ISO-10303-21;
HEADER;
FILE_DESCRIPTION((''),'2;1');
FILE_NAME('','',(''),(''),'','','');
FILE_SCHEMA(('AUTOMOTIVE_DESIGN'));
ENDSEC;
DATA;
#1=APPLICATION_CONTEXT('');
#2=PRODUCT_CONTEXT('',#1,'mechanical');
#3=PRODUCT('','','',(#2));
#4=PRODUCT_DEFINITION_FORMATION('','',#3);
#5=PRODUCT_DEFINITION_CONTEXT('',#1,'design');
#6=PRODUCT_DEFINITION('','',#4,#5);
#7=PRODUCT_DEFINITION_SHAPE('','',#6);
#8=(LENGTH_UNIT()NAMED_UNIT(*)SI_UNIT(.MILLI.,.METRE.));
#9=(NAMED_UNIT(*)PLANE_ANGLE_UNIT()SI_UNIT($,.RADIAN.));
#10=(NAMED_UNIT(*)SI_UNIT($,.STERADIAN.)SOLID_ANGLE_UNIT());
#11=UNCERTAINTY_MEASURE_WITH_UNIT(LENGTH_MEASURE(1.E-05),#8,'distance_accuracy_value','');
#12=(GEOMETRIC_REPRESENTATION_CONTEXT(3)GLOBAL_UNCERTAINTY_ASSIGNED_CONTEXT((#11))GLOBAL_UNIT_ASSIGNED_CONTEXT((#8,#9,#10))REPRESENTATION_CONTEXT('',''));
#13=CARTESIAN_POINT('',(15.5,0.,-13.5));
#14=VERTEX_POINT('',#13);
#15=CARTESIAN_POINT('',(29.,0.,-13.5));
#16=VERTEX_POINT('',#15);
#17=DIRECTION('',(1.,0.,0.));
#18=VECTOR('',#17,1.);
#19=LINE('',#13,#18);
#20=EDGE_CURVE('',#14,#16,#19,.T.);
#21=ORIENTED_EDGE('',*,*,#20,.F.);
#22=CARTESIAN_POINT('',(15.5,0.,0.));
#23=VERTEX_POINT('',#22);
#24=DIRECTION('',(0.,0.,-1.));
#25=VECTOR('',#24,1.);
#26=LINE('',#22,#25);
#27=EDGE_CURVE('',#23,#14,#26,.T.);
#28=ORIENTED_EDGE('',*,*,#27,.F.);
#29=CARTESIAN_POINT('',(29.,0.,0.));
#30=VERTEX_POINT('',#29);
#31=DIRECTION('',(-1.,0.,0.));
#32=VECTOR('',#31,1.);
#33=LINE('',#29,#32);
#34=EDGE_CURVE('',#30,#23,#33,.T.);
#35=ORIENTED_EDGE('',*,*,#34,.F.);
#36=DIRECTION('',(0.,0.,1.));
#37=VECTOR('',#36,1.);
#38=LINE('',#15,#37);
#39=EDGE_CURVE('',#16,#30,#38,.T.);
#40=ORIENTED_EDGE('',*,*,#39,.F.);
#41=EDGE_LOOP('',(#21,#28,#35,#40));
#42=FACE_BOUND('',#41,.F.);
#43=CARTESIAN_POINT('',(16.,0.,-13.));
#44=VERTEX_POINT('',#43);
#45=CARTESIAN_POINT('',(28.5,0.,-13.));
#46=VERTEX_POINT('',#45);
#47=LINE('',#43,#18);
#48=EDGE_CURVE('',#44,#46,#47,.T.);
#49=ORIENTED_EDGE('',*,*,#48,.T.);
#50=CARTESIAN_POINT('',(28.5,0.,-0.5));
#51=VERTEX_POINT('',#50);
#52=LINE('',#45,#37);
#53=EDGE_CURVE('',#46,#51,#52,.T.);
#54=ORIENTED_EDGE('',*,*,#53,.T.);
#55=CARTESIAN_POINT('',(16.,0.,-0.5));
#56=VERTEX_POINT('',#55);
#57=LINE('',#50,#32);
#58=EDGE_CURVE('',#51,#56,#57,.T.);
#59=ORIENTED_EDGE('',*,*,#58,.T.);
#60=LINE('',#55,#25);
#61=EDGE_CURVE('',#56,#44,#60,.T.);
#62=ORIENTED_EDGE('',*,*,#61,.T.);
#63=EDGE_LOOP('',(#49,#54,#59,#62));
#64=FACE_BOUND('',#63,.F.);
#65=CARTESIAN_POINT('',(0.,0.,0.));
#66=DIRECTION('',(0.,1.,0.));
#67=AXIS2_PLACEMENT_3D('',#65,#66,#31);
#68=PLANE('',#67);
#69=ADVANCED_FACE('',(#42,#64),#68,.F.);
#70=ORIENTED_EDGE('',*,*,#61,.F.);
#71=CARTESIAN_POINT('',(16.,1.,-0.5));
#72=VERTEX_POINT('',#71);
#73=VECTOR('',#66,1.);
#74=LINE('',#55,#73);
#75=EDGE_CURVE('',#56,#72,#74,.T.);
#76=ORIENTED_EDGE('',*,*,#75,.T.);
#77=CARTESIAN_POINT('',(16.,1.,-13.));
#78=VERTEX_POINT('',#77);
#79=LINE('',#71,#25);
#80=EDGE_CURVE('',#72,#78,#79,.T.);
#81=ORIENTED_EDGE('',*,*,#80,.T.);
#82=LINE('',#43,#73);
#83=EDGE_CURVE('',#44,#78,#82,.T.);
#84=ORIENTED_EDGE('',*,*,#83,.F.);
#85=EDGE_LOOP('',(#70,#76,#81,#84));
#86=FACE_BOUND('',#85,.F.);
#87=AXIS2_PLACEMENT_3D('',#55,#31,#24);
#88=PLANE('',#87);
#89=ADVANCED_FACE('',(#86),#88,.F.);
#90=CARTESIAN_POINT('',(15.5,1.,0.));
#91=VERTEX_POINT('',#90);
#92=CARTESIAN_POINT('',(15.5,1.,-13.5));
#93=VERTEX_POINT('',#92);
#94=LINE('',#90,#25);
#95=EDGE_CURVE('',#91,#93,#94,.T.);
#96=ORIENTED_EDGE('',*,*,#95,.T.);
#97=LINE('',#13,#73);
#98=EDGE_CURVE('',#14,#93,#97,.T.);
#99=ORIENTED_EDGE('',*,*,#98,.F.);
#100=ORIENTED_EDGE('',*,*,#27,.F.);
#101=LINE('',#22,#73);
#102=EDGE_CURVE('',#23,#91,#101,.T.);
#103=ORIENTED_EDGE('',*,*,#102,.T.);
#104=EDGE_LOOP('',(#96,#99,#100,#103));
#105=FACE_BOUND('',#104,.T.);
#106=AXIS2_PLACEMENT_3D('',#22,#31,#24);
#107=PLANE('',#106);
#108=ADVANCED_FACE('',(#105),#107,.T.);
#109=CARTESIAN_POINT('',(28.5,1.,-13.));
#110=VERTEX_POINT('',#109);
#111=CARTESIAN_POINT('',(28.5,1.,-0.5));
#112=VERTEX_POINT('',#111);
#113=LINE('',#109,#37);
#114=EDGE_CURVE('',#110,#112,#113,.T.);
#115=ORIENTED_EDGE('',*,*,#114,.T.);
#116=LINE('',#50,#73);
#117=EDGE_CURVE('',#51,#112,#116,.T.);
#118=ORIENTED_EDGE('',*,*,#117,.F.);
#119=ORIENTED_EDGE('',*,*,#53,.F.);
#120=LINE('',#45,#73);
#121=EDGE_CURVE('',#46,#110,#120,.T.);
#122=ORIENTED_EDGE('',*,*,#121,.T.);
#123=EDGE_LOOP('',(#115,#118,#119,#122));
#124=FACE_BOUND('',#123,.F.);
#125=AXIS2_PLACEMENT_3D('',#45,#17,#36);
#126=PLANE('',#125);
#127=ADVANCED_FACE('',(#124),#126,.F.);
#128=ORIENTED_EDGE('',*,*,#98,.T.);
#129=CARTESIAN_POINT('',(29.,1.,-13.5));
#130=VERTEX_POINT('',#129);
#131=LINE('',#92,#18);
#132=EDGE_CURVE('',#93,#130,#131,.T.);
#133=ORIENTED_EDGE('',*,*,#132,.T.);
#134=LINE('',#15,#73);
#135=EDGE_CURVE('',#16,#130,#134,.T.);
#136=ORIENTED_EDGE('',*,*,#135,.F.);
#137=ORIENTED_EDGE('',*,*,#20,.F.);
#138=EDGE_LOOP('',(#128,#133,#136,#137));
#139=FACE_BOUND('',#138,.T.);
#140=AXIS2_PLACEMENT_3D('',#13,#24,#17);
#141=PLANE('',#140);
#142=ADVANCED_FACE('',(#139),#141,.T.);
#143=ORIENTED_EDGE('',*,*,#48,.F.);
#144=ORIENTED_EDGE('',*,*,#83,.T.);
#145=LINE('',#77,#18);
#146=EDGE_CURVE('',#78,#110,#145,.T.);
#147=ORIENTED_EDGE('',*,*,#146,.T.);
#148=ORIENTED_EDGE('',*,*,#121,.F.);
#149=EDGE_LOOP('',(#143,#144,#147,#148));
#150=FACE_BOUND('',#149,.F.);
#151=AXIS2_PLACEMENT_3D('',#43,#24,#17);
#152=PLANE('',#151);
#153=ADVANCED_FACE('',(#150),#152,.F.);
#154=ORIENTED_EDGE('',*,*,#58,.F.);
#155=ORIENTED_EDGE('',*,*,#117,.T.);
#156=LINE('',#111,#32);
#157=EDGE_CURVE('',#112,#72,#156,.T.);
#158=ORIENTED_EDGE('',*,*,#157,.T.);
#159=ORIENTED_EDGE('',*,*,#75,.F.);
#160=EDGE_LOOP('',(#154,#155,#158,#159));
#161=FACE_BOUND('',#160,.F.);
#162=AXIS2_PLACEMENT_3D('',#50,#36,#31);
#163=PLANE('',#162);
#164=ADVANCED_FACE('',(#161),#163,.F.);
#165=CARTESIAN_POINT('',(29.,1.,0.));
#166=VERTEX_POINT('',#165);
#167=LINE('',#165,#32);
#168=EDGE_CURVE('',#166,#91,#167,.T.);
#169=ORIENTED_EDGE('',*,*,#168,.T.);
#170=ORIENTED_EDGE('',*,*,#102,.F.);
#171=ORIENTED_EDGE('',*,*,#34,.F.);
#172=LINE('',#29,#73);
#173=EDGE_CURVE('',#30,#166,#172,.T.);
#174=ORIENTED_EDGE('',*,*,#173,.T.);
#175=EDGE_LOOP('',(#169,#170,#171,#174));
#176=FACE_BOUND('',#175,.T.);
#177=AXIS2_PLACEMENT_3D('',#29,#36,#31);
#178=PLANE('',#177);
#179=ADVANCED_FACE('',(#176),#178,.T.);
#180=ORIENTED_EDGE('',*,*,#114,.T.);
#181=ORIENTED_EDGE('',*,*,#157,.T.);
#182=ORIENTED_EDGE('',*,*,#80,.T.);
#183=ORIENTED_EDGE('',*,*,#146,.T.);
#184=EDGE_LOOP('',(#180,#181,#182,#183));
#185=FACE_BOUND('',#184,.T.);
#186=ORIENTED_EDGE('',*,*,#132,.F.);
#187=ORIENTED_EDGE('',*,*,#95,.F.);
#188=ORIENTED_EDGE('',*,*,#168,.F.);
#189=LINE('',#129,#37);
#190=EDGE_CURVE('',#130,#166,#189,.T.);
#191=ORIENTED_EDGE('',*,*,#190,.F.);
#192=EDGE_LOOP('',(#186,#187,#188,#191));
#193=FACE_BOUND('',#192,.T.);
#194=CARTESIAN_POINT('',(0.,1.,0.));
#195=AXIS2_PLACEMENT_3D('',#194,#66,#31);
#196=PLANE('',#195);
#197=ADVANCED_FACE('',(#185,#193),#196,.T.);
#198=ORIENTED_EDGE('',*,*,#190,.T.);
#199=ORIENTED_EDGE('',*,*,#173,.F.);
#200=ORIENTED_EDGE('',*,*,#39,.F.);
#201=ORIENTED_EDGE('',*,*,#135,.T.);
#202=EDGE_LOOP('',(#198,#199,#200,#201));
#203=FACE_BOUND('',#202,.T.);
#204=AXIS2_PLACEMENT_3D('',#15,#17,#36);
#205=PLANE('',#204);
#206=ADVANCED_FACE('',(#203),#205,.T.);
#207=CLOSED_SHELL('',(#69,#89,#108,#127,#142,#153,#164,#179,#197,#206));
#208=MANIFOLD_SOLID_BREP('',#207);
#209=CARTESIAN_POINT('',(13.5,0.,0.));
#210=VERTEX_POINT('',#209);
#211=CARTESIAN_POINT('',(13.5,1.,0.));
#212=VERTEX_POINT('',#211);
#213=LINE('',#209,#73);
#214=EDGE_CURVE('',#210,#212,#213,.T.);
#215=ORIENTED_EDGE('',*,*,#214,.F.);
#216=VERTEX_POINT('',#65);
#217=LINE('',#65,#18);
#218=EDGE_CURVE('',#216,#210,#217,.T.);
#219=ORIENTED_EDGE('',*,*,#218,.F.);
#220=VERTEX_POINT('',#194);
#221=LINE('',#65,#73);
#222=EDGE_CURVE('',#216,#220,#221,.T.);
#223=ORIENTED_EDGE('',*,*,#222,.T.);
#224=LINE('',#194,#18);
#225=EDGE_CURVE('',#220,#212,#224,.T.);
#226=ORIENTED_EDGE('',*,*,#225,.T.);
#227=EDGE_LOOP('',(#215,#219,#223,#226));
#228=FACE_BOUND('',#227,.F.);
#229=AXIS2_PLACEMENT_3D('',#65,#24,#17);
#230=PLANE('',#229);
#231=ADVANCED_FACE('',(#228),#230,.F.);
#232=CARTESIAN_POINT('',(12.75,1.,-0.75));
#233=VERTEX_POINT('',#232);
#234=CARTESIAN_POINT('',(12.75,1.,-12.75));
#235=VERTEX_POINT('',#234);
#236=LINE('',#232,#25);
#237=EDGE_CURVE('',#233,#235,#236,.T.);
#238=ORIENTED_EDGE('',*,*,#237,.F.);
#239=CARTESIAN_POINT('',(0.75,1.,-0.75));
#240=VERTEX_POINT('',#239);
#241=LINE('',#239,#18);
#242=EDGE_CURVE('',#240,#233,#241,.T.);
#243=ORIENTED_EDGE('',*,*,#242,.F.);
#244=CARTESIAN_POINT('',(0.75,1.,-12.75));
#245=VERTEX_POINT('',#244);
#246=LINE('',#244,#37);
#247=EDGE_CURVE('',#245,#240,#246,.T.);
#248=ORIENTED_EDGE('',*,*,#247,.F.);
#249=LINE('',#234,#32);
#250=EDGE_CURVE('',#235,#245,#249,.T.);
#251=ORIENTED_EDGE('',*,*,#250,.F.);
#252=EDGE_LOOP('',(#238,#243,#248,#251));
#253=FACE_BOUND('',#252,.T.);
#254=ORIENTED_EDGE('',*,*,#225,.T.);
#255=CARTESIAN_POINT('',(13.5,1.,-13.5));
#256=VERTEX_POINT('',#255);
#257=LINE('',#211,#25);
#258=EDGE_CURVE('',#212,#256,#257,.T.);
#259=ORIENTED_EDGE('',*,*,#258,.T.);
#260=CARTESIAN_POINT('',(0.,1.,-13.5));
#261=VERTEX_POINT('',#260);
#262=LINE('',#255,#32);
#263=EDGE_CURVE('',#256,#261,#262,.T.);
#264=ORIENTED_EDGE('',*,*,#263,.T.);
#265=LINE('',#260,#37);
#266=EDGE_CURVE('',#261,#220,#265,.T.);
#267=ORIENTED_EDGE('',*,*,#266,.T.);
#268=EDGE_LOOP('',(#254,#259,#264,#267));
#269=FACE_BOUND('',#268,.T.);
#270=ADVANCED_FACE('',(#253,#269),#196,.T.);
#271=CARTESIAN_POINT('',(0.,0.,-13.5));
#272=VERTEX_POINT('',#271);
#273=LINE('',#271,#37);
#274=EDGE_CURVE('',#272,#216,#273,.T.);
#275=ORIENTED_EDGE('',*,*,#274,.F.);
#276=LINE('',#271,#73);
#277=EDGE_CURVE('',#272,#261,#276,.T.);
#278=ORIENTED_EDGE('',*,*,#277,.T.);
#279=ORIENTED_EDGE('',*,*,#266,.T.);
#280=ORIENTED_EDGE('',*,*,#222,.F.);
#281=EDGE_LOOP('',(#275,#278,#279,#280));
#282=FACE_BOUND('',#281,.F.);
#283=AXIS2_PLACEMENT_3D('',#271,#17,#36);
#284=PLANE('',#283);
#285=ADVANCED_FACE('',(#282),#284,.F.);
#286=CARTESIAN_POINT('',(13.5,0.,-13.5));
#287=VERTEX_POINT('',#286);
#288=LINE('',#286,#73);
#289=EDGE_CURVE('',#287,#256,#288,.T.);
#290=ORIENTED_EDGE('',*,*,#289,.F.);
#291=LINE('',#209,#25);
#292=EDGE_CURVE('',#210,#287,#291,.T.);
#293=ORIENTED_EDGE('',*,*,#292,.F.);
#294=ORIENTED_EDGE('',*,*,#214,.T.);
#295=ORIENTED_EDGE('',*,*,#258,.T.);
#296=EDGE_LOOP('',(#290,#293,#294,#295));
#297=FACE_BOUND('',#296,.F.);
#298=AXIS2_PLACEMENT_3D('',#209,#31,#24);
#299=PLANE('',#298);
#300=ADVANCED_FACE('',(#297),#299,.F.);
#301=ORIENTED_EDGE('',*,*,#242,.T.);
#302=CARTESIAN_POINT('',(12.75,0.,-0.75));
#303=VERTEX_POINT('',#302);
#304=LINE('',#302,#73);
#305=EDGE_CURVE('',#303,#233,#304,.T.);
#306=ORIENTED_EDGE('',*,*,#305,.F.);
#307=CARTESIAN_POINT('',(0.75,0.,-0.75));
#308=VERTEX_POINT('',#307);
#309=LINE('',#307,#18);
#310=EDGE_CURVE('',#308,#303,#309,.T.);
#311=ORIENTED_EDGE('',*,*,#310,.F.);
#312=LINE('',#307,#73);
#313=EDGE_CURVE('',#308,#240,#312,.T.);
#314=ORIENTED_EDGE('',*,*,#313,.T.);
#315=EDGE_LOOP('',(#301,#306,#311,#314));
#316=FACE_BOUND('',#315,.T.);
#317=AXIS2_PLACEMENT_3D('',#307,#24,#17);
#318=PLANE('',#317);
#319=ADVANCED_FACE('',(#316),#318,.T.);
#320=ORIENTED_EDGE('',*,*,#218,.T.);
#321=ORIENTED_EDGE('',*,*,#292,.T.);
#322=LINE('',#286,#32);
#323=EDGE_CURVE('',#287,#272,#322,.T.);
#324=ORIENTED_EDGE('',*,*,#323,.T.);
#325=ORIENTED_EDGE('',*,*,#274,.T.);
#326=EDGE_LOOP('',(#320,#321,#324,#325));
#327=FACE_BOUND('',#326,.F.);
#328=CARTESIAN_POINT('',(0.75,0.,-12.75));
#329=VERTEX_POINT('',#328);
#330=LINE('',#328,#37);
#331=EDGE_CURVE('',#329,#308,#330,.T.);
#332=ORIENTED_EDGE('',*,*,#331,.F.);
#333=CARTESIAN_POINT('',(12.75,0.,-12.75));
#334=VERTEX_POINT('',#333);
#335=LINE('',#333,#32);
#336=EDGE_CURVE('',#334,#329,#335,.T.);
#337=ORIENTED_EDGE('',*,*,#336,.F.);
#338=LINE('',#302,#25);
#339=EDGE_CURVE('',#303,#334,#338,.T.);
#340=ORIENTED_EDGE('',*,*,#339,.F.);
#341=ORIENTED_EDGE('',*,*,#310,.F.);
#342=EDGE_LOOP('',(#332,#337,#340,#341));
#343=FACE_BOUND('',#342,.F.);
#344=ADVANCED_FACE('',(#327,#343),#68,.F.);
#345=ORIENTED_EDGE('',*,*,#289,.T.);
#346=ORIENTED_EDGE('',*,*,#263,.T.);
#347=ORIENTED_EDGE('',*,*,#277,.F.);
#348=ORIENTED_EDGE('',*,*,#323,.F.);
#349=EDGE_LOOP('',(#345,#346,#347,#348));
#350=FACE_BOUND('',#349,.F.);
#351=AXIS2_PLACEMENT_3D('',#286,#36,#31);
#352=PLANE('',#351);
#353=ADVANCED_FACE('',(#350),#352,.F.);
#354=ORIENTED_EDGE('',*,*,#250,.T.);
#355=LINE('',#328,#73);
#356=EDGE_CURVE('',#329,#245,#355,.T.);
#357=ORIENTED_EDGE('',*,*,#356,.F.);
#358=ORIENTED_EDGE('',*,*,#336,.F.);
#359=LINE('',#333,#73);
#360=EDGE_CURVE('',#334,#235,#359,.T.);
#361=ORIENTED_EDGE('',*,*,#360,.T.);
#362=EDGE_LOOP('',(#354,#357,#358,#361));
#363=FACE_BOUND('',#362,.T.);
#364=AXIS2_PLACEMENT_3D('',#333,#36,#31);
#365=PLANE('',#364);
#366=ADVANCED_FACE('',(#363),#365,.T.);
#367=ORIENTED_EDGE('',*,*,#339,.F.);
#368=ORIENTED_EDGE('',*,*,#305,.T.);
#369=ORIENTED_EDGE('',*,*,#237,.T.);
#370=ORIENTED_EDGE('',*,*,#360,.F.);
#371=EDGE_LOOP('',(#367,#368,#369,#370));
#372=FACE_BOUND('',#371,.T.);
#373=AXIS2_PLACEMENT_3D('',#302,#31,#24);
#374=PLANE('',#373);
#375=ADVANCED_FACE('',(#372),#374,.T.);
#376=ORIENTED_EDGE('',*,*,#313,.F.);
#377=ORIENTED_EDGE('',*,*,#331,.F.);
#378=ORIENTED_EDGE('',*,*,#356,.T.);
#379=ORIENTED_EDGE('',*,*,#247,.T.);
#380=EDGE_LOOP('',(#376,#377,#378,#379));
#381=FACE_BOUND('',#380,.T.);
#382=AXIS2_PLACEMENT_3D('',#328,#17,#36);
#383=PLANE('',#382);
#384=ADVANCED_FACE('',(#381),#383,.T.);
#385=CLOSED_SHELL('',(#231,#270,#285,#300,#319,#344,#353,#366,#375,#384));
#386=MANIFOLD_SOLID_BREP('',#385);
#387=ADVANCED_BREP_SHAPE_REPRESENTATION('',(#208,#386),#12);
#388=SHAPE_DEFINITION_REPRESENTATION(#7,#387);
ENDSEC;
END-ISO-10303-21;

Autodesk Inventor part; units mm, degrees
ref_plane "YZ Plane" through (0, 0, 0) normal (1, 0, 0) x (0, 1, 0)
ref_plane "XZ Plane" through (0, 0, 0) normal (0, 1, 0) x (-1, 0, 0)
ref_plane "XY Plane" through (0, 0, 0) normal (0, 0, 1) x (1, 0, 0)
sketch "Sketch1" plane through (0, 0, 0) normal (0, 1, 0) x (-1, 0, 0)
  line L0 (0, 0) -> (-13.5, 0)
  line L1 (-13.5, 0) -> (-13.5, -13.5)
  line L2 (-13.5, -13.5) -> (0, -13.5)
  line L3 (0, -13.5) -> (0, 0)
  line L4 (-12.75, -12.75) -> (-0.75, -12.75)
  line L5 (-0.75, -12.75) -> (-0.75, -0.75)
  line L6 (-0.75, -0.75) -> (-12.75, -0.75)
  line L7 (-12.75, -0.75) -> (-12.75, -12.75)
  line L8 (-15.5, -13.5) -> (-29, -13.5)
  line L9 (-29, -13.5) -> (-29, 0)
  line L10 (-29, 0) -> (-15.5, 0)
  line L11 (-15.5, 0) -> (-15.5, -13.5)
  line L12 (-16, -13) -> (-28.5, -13)
  line L13 (-28.5, -13) -> (-28.5, -0.5)
  line L14 (-28.5, -0.5) -> (-16, -0.5)
  line L15 (-16, -0.5) -> (-16, -13)
  dimension "d0" = 13.5
  dimension "d1" = 13.5
  dimension "d2" = 12
  dimension "d3" = 12
  dimension "d4" = 0.75
  dimension "d5" = 0.75
  dimension "d6" = 13.5
  dimension "d7" = 13.5
  dimension "d8" = 2
  dimension "d9" = 0.5
  dimension "d10" = 0.5
  dimension "d11" = 0.5
  dimension "d12" = 0.5
  dimension "d13" = 0
extrude "Extrusion1" add sketch "Sketch1" along normal blind 1
properties part number "kwadrat"
